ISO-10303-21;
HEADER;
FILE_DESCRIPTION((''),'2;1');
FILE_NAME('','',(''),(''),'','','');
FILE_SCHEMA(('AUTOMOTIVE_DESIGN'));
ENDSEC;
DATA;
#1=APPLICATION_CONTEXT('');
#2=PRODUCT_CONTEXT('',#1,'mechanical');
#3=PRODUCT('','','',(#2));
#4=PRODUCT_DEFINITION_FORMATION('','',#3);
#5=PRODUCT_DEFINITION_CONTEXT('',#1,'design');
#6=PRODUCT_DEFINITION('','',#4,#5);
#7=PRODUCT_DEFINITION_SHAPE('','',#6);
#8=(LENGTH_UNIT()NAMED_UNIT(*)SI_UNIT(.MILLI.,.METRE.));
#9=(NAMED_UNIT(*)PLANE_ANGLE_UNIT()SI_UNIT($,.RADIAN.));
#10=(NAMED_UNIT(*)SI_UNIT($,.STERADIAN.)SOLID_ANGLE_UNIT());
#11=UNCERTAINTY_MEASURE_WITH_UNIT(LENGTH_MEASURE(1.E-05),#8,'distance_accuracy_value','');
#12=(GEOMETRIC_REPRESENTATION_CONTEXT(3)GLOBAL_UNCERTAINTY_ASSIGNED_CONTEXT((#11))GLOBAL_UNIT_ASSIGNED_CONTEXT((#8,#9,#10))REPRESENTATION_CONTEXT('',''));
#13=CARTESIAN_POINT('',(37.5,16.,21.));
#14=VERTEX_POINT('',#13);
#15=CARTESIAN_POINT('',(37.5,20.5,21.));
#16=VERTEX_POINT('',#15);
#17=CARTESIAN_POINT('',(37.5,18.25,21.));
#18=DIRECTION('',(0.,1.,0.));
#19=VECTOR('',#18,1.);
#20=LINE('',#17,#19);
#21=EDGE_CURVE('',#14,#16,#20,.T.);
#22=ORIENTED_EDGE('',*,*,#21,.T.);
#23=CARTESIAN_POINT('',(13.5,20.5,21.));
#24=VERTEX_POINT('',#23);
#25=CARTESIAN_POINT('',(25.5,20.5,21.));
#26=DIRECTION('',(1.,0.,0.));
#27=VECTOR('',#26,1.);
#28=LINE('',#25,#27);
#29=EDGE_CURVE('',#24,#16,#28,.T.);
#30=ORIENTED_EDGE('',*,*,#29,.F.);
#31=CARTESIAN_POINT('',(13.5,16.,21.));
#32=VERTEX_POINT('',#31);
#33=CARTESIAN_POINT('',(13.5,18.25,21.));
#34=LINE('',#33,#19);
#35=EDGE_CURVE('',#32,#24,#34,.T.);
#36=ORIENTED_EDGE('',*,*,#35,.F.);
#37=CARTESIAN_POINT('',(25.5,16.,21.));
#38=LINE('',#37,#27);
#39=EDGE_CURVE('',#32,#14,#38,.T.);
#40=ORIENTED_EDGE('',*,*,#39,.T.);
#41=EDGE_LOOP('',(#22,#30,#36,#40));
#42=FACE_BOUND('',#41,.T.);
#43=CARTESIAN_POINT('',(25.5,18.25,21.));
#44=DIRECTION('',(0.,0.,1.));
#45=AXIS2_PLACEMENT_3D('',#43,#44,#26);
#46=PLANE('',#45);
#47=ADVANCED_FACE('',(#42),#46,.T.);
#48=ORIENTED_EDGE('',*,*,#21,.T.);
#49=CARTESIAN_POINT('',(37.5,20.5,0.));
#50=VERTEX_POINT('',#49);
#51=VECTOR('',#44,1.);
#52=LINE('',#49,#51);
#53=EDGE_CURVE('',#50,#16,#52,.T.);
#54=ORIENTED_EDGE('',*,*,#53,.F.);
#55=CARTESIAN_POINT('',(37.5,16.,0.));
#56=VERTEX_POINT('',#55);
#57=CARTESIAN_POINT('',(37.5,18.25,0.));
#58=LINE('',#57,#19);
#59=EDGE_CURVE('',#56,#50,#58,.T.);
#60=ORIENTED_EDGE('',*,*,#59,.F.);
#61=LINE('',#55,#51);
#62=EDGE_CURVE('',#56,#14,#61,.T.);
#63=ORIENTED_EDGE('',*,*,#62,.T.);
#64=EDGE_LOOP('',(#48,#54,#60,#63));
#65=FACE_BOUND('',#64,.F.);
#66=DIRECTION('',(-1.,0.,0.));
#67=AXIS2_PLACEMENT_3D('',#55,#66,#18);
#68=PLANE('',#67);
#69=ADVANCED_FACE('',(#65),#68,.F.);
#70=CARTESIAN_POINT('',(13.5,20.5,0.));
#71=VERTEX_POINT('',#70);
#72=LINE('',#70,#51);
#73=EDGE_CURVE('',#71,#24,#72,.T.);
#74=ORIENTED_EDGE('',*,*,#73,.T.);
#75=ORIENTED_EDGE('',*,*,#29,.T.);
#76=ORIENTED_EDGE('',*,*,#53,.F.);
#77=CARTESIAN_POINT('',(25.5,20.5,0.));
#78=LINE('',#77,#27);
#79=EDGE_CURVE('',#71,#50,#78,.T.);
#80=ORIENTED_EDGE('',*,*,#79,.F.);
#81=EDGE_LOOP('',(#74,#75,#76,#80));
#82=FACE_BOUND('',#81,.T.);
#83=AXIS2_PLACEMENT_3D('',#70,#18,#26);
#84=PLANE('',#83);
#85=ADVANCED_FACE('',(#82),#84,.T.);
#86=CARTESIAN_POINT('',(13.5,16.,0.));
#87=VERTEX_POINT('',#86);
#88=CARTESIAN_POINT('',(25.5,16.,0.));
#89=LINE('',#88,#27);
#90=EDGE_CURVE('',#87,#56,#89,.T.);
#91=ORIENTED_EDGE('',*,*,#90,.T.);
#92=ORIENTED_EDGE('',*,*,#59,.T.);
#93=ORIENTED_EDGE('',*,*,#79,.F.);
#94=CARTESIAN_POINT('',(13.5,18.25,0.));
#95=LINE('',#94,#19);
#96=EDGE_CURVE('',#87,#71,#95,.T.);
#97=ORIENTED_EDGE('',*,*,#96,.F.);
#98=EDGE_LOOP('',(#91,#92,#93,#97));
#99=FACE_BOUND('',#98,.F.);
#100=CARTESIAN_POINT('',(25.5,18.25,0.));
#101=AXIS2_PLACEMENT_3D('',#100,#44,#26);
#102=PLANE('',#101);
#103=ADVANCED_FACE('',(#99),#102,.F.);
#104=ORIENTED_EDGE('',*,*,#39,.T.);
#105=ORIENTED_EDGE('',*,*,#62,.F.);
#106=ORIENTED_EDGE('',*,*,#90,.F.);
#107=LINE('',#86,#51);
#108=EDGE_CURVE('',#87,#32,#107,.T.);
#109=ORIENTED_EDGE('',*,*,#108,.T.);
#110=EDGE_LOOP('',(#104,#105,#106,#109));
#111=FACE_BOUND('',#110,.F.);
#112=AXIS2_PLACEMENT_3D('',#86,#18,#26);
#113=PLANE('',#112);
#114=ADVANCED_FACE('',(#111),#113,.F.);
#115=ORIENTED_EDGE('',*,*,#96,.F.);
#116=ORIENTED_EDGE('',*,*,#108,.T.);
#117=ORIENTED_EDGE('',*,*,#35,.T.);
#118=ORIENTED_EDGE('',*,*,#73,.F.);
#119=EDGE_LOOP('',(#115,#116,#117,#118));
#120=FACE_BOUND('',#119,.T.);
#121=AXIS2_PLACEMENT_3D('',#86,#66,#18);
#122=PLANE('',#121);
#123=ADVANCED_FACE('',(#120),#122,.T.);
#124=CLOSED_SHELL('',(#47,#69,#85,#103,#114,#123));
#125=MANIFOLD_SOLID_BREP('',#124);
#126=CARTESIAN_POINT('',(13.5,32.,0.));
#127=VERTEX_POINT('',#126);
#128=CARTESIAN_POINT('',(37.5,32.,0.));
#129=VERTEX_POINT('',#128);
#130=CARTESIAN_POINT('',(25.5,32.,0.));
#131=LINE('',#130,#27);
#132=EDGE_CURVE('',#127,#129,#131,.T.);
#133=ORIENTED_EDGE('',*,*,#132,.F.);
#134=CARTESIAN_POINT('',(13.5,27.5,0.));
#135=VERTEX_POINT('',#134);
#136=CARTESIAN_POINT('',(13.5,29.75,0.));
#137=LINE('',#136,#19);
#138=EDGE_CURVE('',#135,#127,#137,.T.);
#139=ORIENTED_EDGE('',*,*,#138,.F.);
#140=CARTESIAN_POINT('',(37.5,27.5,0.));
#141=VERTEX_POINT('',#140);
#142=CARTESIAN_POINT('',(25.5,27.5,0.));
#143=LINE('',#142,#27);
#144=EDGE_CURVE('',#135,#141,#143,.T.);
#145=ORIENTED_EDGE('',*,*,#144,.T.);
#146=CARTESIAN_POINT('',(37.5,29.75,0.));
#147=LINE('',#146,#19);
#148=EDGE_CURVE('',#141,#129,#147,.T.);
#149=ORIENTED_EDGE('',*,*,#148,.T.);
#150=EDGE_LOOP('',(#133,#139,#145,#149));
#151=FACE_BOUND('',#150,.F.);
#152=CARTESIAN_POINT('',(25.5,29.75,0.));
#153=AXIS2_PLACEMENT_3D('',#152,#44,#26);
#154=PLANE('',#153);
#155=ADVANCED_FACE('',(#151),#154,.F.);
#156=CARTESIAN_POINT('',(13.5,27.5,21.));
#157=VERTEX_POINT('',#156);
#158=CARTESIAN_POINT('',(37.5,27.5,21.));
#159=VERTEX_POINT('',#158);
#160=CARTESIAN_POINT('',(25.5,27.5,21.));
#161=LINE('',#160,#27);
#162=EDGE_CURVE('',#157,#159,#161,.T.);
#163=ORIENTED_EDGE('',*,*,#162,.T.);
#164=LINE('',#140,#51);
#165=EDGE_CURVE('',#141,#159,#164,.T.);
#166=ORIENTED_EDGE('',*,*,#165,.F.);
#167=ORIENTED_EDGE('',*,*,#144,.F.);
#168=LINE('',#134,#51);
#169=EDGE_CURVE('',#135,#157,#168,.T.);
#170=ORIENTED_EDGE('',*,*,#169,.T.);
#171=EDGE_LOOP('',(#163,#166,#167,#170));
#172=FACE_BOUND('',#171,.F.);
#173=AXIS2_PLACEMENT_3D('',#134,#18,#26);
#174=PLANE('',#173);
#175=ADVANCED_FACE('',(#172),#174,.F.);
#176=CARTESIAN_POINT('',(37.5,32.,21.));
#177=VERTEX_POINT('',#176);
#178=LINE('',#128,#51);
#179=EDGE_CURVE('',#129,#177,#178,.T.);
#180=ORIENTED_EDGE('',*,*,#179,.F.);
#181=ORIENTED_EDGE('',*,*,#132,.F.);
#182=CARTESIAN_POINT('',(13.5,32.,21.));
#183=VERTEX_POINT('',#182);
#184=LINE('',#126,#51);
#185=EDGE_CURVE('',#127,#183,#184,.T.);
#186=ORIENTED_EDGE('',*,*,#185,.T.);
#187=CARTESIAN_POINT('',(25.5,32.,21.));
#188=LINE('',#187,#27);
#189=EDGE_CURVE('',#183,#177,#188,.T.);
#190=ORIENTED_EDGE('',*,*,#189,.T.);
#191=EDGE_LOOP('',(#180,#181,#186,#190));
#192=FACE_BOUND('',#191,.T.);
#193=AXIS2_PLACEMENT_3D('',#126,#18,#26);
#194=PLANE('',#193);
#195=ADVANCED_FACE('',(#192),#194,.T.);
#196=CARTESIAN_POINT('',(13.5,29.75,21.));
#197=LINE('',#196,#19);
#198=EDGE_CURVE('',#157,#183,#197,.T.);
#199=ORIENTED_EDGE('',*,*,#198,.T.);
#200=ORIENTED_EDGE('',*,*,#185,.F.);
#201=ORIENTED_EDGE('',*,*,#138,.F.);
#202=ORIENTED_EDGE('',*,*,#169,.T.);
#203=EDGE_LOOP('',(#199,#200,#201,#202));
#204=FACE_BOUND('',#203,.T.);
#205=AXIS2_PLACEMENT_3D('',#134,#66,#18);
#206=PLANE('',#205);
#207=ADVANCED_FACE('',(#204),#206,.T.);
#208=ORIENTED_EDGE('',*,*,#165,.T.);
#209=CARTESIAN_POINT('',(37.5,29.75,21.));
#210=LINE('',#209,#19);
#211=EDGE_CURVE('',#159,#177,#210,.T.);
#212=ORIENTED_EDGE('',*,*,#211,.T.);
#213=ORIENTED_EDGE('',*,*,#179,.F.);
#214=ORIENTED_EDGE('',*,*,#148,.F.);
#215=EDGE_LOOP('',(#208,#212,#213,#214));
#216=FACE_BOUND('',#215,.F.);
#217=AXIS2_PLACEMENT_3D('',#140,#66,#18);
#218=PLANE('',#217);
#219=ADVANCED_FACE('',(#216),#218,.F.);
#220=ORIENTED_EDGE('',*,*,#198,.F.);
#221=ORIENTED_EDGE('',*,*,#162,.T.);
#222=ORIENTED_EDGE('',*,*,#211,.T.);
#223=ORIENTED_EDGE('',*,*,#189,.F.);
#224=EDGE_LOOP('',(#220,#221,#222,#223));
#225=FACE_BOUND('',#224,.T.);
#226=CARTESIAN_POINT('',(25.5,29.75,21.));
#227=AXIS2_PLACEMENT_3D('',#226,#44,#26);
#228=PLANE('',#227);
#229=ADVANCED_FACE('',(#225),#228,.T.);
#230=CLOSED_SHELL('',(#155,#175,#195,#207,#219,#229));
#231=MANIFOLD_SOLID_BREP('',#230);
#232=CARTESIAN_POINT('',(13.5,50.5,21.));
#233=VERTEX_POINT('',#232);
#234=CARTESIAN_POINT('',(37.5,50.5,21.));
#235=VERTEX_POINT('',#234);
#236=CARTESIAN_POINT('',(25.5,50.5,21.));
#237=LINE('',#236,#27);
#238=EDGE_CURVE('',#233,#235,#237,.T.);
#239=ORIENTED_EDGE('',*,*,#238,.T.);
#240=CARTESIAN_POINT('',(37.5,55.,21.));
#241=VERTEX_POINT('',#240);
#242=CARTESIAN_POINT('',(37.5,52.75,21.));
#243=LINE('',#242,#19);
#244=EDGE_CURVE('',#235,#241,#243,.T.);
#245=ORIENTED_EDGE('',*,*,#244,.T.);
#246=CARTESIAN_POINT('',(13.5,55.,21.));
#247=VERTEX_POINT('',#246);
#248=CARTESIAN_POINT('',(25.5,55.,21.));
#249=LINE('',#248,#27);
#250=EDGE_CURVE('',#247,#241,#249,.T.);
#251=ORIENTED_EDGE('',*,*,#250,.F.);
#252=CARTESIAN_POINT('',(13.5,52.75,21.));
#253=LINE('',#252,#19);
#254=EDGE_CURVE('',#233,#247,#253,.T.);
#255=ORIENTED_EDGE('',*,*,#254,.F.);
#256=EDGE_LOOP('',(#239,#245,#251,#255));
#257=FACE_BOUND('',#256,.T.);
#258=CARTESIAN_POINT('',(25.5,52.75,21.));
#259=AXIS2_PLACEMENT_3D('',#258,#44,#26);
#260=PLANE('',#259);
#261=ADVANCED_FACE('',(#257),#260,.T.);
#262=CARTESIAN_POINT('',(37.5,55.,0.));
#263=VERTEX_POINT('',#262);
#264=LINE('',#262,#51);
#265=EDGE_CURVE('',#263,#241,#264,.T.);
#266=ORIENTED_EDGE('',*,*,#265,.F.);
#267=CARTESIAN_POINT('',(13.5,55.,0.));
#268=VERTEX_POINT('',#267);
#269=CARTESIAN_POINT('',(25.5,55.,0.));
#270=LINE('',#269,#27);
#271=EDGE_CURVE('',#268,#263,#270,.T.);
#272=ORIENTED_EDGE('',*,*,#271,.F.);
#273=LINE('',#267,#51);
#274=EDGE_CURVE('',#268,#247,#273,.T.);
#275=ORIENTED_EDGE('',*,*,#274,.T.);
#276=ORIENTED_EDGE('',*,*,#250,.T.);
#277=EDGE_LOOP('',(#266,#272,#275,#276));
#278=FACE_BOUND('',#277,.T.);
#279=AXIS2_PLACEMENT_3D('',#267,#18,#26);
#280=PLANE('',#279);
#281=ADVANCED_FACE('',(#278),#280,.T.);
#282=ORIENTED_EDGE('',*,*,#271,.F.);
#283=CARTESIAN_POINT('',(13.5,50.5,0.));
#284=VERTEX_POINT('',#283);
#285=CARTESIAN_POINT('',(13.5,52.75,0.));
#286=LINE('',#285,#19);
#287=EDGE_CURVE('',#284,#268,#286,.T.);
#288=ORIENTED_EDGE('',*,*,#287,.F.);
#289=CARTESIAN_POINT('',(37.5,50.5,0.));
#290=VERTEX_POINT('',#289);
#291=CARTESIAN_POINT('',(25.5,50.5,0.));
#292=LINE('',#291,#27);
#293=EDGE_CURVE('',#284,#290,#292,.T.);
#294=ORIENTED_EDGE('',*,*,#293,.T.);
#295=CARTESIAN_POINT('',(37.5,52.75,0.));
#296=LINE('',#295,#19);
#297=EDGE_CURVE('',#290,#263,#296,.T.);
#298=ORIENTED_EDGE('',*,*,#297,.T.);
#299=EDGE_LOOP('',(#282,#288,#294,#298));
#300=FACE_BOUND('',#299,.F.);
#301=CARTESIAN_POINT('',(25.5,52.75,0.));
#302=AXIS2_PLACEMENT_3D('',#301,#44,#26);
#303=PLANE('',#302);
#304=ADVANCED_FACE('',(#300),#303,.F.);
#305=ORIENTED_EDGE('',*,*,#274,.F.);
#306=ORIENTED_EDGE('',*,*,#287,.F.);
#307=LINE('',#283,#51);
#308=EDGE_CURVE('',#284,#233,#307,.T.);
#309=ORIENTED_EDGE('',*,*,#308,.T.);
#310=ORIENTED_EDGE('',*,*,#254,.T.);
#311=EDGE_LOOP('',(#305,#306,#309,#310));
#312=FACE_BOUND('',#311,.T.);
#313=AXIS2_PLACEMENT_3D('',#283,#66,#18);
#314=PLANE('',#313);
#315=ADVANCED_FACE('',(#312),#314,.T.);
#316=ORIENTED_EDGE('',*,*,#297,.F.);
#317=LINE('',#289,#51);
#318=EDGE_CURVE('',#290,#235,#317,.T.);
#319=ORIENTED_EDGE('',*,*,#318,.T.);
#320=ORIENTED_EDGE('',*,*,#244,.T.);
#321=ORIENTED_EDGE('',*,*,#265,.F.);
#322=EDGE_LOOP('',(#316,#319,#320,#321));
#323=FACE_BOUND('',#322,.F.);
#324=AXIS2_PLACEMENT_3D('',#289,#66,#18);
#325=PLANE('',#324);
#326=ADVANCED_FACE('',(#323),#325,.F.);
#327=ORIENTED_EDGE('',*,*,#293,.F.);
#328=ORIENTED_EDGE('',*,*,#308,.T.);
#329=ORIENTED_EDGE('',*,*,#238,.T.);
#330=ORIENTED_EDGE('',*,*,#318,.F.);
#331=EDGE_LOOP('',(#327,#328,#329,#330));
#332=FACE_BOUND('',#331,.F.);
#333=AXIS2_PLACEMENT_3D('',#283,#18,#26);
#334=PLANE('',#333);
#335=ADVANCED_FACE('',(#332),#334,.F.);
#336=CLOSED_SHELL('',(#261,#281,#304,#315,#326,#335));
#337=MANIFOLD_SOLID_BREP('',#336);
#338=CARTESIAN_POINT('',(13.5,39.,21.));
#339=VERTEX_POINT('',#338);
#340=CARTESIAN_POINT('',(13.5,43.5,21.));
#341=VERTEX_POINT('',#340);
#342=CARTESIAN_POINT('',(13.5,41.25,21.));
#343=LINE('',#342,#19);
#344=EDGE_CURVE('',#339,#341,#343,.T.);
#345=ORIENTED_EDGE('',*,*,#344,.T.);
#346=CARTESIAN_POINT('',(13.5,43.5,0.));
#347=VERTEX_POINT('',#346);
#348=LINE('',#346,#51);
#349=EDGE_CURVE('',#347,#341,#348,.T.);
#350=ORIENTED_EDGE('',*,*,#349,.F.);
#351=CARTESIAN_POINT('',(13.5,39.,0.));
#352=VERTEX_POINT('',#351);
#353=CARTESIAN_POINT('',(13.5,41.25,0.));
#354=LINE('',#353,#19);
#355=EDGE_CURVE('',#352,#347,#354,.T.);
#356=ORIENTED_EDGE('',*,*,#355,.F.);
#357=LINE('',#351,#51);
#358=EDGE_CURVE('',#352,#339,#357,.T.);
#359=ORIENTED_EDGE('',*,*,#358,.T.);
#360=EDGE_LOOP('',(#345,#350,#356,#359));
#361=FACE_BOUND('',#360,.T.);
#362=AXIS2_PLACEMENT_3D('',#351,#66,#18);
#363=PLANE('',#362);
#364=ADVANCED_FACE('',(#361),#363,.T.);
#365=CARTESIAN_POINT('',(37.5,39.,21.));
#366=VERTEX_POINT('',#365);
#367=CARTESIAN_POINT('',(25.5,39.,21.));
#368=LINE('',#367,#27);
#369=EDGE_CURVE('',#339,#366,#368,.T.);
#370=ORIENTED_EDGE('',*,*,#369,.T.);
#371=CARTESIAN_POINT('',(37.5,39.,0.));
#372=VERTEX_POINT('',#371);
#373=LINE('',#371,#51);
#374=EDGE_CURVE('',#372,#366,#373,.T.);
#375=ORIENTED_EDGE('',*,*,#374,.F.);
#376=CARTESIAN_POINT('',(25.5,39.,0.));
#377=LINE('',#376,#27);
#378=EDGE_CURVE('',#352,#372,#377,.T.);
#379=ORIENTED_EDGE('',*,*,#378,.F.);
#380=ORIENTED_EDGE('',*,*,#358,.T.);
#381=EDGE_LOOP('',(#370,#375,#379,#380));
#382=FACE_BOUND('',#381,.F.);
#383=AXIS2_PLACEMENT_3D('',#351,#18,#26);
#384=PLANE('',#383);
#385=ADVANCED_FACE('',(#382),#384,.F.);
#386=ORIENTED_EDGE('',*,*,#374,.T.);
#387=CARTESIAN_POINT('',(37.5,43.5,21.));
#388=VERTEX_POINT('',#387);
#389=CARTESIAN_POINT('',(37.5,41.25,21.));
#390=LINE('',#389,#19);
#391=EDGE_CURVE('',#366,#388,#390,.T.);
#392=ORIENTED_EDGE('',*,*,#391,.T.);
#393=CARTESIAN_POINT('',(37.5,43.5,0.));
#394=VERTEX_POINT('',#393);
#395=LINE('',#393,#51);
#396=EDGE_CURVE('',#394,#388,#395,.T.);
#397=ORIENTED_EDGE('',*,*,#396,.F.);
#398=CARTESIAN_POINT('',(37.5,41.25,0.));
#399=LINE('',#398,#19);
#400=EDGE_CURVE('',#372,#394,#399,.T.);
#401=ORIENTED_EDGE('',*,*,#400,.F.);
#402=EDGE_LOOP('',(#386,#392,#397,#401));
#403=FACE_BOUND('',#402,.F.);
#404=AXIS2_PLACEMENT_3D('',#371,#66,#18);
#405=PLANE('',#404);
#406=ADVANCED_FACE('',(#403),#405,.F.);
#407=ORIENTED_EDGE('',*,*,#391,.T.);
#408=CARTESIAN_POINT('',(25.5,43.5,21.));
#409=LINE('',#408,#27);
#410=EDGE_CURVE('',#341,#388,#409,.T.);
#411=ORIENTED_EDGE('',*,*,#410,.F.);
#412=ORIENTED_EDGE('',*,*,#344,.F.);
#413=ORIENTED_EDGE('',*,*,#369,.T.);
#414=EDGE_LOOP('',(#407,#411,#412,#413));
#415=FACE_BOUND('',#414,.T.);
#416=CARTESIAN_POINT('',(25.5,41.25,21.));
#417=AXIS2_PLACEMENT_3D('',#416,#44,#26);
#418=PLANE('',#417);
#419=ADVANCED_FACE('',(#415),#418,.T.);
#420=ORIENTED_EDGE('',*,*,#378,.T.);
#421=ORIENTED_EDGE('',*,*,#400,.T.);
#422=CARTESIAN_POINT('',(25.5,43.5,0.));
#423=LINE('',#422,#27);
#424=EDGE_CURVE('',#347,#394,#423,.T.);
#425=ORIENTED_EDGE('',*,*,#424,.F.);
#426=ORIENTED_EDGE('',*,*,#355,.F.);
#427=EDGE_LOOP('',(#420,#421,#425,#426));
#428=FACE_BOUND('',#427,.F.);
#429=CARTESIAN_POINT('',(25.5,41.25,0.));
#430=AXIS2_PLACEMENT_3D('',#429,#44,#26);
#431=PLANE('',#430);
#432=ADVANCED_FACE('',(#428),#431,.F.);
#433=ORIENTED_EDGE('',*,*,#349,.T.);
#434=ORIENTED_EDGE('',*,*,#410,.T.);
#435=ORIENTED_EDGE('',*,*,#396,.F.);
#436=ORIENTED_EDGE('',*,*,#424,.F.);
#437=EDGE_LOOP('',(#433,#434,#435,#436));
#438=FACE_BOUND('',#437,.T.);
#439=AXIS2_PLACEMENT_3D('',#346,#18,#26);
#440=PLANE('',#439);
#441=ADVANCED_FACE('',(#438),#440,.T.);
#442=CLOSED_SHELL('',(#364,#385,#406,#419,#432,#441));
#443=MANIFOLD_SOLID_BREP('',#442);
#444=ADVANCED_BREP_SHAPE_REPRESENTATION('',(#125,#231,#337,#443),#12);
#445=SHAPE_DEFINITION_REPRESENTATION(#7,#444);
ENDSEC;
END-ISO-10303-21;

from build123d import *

# Parameters (mm, degrees)
BOX001_W     = 24
BOX001_H     = 4.5
BOX001_DEPTH = 21
BOX002_W     = 24
BOX002_H     = 4.5
BOX002_DEPTH = 21
BOX003_W     = 24
BOX003_H     = 4.5
BOX003_DEPTH = 21
BOX_W        = 24
BOX_H        = 4.5
BOX_DEPTH    = 21


with BuildPart() as cube001:
    # Box001 → Box001 (new body)
    with BuildSketch(Plane(origin=(13.5, 27.5, 0), x_dir=(1, 0, 0), z_dir=(0, 0, 1))):
        with Locations((12, 2.25)):
            Rectangle(BOX001_W, BOX001_H)
    extrude(amount=BOX001_DEPTH)


with BuildPart() as cube002:
    # Box002 → Box002 (new body)
    with BuildSketch(Plane(origin=(13.5, 39, 0), x_dir=(1, 0, 0), z_dir=(0, 0, 1))):
        with Locations((12, 2.25)):
            Rectangle(BOX002_W, BOX002_H)
    extrude(amount=BOX002_DEPTH)


with BuildPart() as cube003:
    # Box003 → Box003 (new body)
    with BuildSketch(Plane(origin=(13.5, 50.5, 0), x_dir=(1, 0, 0), z_dir=(0, 0, 1))):
        with Locations((12, 2.25)):
            Rectangle(BOX003_W, BOX003_H)
    extrude(amount=BOX003_DEPTH)


with BuildPart() as relay:
    # Box → Box (new body)
    with BuildSketch(Plane(origin=(13.5, 16, 0), x_dir=(1, 0, 0), z_dir=(0, 0, 1))):
        with Locations((12, 2.25)):
            Rectangle(BOX_W, BOX_H)
    extrude(amount=BOX_DEPTH)

    # Fusion: union Cube001, Cube002, Cube003
    add(cube001.part)
    add(cube002.part)
    add(cube003.part)


solid = relay.part
